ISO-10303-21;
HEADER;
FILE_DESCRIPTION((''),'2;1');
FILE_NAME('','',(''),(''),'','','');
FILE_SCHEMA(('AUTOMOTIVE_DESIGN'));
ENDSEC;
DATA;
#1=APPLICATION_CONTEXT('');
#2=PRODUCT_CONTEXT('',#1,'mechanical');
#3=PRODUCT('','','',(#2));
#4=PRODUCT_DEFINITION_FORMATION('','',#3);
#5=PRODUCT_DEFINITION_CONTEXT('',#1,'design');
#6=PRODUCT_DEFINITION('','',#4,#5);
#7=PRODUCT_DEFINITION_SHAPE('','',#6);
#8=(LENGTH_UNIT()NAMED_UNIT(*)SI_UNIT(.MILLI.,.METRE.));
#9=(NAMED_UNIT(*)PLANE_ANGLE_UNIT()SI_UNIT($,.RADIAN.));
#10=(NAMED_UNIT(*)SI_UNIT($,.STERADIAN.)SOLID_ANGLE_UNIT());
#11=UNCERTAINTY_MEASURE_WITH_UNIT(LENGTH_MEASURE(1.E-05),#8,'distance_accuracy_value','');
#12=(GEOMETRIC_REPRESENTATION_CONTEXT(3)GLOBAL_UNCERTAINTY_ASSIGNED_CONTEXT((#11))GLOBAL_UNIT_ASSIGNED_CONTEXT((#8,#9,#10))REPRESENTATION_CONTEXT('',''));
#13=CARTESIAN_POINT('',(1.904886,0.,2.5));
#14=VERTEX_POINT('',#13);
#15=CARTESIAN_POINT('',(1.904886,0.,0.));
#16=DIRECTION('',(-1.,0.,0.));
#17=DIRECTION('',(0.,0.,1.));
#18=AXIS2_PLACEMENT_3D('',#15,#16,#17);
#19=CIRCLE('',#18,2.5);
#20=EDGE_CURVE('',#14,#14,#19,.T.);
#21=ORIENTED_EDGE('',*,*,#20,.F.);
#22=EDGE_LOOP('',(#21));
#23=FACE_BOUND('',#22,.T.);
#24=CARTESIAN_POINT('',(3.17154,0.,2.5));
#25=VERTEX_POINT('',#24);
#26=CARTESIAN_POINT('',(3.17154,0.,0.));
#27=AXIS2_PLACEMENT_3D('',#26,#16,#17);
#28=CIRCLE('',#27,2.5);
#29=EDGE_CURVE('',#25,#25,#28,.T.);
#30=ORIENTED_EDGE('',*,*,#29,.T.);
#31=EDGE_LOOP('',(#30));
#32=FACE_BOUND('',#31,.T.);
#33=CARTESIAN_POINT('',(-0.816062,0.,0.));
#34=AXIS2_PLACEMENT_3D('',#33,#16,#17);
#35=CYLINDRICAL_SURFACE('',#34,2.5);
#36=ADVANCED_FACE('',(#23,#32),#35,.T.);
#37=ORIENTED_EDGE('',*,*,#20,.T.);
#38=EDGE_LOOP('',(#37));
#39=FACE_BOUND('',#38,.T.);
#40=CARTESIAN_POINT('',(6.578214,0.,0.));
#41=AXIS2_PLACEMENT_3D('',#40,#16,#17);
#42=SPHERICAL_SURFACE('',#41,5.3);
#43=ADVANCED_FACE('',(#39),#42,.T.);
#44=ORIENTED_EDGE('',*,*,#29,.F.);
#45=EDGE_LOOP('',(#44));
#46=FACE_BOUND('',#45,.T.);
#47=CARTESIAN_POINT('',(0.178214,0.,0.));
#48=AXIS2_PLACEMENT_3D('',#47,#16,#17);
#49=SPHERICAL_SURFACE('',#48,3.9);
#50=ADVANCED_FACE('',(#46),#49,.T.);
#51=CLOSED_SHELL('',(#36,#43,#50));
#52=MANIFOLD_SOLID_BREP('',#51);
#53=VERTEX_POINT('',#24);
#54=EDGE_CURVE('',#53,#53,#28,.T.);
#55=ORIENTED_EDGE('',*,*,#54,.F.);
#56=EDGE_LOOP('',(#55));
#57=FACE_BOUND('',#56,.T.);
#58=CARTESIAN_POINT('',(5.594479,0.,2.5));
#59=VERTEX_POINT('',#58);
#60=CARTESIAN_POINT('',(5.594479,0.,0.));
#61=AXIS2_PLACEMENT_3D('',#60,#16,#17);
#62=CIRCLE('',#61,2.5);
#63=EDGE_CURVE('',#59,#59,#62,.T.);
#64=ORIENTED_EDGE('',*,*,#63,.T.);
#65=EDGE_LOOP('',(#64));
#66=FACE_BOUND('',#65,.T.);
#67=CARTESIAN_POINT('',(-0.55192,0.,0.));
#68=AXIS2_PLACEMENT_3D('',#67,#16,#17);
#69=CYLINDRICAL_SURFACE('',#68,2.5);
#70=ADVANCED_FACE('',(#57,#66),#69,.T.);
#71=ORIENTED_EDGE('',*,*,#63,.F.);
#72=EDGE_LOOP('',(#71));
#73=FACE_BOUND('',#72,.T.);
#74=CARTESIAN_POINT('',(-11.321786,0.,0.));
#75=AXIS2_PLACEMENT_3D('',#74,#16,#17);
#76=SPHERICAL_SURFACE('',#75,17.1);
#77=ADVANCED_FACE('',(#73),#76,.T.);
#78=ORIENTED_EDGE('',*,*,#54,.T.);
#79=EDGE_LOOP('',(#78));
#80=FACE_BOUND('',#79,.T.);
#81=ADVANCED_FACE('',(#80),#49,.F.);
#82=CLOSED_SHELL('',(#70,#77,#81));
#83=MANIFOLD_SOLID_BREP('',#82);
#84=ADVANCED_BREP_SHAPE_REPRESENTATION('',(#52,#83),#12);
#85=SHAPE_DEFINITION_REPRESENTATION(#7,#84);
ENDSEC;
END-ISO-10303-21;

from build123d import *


with BuildPart() as part:
    # 草图1 one side → 旋转1 (revolve)
    with BuildSketch(Plane(origin=(0, 0, 0), x_dir=(1, 0, 0), z_dir=(0, 1, 0)), mode=Mode.PRIVATE) as revolve_1_sk:
        with BuildLine():
            ThreePointArc((1.904885755, 2.5), (1.437268823, 1.288673453), (1.278214333, 0))
            Line((1.278214333, 0), (4.078214333, 0))
            ThreePointArc((4.078214333, 0), (3.844545677, 1.329667055), (3.171540242, 2.5))
            Line((3.171540242, 2.5), (1.904885755, 2.5))
        make_face()
    revolve(revolve_1_sk.sketch.rotate(Axis((-0.816062176, 0, 0), (1, 0, 0)), 180), axis=Axis((-0.816062176, 0, 0), (1, 0, 0)))  # turned: the seam where the file's is


with BuildPart() as body_2:
    # 草图2 one side → 旋转3 (revolve)
    with BuildSketch(Plane(origin=(0, 0, 0), x_dir=(1, 0, 0), z_dir=(0, 1, 0)), mode=Mode.PRIVATE) as revolve_3_sk:
        with BuildLine():
            Line((5.594478696, 2.5), (3.171540242, 2.5))
            ThreePointArc((3.171540242, 2.5), (3.844545677, 1.329667055), (4.078214333, 0))
            Line((4.078214333, 0), (5.778214333, 0))
            ThreePointArc((5.778214333, 0), (5.732218564, 1.253371332), (5.594478696, 2.5))
        make_face()
    revolve(revolve_3_sk.sketch.rotate(Axis((-0.551919993, 0, 0), (1, 0, 0)), 180), axis=Axis((-0.551919993, 0, 0), (1, 0, 0)))  # turned: the seam where the file's is


solid = Compound([part.part, body_2.part])
